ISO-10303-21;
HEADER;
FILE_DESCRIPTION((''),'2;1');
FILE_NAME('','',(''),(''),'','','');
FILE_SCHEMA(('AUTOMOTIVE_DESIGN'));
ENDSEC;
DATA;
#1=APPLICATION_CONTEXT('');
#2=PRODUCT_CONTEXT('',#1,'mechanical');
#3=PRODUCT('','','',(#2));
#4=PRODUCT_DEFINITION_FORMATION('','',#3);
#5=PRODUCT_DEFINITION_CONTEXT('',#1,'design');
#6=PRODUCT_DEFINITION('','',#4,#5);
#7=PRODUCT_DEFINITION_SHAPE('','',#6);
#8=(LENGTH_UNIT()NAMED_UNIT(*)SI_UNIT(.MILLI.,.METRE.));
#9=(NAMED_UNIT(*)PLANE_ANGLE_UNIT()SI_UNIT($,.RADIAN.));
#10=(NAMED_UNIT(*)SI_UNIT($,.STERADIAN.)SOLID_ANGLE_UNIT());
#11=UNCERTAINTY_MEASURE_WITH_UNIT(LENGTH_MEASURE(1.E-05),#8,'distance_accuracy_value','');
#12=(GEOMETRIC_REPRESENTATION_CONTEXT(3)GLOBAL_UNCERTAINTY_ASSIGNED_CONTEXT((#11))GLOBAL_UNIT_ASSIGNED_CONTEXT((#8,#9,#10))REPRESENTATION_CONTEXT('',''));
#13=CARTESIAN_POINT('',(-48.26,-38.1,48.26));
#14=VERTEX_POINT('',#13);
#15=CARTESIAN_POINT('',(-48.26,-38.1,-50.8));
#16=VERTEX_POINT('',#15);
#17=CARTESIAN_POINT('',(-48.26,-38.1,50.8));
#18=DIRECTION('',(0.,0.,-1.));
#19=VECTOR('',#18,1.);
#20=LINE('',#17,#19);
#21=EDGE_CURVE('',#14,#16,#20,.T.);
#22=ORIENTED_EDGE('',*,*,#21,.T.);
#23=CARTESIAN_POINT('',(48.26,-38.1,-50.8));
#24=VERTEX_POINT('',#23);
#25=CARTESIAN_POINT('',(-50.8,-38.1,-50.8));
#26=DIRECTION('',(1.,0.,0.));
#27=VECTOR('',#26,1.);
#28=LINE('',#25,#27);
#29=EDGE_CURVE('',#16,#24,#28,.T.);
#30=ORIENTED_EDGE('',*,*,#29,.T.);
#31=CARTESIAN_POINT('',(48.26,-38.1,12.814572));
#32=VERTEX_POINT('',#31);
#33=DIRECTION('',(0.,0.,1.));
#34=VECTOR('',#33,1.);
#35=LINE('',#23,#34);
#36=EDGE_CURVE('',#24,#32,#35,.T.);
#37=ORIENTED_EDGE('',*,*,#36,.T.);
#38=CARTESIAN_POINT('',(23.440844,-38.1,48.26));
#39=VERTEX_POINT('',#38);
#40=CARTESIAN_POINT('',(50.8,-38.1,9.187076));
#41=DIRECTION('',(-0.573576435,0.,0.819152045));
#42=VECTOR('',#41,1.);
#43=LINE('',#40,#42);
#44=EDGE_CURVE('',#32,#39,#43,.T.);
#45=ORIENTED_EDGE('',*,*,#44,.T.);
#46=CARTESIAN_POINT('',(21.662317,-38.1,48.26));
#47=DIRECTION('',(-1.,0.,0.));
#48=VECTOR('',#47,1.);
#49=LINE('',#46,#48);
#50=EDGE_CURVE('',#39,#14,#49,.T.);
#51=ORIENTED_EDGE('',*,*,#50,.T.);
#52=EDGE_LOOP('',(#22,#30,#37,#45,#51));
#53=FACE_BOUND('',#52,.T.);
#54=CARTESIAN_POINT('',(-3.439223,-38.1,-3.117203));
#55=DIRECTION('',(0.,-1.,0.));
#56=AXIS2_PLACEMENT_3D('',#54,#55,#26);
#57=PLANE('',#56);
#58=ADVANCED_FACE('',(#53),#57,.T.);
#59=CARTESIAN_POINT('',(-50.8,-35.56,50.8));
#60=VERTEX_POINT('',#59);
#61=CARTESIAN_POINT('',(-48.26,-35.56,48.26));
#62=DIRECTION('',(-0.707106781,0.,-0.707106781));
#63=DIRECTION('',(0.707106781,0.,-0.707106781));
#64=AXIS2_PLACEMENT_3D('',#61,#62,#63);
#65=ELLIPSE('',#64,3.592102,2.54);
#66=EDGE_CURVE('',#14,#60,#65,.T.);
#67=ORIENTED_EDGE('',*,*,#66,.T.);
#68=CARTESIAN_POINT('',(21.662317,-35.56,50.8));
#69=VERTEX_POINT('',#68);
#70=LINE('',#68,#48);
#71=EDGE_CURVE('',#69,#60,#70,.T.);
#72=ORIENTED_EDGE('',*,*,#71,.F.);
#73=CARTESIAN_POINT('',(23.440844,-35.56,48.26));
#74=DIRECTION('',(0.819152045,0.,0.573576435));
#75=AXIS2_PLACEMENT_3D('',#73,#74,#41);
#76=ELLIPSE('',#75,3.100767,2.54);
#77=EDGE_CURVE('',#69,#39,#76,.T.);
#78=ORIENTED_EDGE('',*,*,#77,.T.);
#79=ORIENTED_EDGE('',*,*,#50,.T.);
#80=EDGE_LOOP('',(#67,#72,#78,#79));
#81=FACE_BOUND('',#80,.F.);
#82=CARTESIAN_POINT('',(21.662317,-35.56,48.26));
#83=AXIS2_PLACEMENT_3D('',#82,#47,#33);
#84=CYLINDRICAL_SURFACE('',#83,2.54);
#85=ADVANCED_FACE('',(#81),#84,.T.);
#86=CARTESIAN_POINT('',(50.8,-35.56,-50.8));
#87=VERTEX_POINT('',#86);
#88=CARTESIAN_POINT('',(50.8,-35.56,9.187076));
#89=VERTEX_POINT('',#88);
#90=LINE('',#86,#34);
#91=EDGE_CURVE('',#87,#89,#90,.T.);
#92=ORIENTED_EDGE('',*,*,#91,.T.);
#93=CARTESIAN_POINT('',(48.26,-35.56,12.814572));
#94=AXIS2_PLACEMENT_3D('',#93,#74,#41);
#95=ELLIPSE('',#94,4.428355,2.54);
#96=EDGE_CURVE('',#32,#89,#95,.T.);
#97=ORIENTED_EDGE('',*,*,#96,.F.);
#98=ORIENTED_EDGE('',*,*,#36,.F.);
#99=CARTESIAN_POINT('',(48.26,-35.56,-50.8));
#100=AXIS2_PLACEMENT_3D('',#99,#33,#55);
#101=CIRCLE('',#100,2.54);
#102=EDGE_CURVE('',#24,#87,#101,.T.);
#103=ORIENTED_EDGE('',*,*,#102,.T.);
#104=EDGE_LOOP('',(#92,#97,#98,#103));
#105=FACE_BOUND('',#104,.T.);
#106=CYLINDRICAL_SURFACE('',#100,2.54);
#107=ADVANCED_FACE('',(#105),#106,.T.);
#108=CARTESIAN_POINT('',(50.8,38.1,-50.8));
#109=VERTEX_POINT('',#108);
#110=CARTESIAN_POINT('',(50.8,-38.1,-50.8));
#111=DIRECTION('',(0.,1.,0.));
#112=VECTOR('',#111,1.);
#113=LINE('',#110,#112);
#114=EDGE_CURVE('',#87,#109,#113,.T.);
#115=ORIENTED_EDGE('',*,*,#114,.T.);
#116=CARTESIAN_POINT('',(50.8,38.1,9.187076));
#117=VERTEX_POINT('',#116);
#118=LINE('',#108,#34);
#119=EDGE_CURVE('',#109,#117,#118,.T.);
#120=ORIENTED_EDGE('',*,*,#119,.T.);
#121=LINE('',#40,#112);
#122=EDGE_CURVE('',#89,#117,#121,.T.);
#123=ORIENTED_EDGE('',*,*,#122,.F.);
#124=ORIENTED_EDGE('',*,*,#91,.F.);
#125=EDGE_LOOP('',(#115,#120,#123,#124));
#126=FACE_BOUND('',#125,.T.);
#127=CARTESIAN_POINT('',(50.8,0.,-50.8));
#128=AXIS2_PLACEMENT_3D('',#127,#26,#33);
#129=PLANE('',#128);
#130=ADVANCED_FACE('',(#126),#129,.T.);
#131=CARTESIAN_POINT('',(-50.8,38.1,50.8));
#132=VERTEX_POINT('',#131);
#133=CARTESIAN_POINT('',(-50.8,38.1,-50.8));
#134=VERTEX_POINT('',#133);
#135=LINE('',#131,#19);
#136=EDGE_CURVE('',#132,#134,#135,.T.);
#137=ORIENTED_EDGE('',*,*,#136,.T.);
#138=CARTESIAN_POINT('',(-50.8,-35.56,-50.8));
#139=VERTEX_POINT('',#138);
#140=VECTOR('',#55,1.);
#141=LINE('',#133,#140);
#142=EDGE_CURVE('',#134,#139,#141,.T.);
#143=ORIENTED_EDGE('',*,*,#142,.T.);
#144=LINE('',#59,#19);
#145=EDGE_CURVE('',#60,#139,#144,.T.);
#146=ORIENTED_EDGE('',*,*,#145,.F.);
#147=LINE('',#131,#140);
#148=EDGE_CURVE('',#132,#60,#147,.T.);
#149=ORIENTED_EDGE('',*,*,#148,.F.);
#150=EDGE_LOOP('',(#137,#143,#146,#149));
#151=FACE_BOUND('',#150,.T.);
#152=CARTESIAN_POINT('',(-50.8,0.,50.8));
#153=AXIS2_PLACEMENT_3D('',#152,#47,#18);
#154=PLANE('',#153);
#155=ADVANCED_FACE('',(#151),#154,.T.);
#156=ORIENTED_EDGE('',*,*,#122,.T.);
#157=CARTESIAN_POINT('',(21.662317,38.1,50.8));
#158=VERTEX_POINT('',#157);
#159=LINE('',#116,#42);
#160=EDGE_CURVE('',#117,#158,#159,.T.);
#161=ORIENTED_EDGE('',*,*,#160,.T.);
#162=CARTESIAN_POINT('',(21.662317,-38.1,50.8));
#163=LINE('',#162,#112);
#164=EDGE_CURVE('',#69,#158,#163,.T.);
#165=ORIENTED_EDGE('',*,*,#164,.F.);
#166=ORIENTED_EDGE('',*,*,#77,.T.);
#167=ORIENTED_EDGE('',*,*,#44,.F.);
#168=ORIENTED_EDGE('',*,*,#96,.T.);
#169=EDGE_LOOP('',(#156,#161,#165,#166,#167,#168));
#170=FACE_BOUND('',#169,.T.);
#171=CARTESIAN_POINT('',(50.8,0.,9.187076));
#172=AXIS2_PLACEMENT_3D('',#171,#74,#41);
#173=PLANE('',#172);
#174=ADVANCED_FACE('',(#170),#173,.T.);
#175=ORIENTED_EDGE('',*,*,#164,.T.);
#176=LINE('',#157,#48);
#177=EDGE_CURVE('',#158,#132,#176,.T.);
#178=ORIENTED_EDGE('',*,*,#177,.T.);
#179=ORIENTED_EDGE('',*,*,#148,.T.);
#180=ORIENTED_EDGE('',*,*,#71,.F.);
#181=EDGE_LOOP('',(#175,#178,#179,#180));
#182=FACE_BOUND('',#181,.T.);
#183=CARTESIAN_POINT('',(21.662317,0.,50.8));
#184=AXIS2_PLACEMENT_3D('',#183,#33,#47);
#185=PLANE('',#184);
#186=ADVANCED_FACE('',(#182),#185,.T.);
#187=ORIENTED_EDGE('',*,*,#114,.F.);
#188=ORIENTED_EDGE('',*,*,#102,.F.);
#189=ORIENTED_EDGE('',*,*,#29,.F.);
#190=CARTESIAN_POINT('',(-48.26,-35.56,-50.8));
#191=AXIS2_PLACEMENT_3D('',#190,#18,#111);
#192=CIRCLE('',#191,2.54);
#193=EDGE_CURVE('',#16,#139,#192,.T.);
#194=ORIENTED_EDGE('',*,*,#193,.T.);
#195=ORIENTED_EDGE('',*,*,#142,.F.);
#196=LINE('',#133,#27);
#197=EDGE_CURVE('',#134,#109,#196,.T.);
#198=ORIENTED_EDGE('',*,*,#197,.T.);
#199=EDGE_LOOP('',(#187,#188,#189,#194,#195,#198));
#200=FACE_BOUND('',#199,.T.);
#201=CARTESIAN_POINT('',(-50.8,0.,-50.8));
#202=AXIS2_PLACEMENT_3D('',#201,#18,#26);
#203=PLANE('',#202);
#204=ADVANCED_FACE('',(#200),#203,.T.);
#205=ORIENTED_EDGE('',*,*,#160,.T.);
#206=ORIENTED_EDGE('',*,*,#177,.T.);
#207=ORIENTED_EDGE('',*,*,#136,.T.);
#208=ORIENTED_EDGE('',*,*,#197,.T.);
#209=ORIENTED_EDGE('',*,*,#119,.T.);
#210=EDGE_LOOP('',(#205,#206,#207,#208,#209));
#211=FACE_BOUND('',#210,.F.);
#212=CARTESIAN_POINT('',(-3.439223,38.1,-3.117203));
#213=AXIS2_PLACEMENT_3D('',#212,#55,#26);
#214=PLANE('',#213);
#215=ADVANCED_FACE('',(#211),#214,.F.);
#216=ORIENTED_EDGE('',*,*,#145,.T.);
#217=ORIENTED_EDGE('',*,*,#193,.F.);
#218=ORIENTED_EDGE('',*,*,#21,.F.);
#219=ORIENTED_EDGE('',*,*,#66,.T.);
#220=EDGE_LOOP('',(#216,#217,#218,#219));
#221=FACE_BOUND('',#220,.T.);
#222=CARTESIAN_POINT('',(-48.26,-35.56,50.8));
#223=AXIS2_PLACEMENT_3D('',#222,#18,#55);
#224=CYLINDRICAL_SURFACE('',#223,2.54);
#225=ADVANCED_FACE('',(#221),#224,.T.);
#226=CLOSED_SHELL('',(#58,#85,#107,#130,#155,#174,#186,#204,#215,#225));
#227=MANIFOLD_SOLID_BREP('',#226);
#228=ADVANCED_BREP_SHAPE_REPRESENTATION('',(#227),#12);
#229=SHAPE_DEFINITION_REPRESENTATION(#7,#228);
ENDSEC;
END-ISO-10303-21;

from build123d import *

# Parameters (mm, degrees)
F1_DEPTH = 38.1
F2_R     = 2.54
F3_R     = 2.54


with BuildPart() as f1:
    # F0 (on Front) → F1 (new body, symmetric)
    with BuildSketch(Plane.XZ):
        Polygon((21.662317, 50.8), (-50.8, 50.8), (-50.8, -50.8), (50.8, -50.8), (50.8, 9.187076), align=None)
    extrude(amount=F1_DEPTH, both=True)

    # F2
    f2_edges = [f1.edges().sort_by_distance(p)[0] for p in [
        (-50.8, -38.1, 0),
        (-14.568841, -38.1, 50.8),
    ]]
    fillet(f2_edges, radius=F2_R)

    # F3
    f3_edges = [f1.edges().sort_by_distance(p)[0] for p in [
        (50.8, -38.1, -20.806462),
    ]]
    fillet(f3_edges, radius=F3_R)


solid = f1.part
